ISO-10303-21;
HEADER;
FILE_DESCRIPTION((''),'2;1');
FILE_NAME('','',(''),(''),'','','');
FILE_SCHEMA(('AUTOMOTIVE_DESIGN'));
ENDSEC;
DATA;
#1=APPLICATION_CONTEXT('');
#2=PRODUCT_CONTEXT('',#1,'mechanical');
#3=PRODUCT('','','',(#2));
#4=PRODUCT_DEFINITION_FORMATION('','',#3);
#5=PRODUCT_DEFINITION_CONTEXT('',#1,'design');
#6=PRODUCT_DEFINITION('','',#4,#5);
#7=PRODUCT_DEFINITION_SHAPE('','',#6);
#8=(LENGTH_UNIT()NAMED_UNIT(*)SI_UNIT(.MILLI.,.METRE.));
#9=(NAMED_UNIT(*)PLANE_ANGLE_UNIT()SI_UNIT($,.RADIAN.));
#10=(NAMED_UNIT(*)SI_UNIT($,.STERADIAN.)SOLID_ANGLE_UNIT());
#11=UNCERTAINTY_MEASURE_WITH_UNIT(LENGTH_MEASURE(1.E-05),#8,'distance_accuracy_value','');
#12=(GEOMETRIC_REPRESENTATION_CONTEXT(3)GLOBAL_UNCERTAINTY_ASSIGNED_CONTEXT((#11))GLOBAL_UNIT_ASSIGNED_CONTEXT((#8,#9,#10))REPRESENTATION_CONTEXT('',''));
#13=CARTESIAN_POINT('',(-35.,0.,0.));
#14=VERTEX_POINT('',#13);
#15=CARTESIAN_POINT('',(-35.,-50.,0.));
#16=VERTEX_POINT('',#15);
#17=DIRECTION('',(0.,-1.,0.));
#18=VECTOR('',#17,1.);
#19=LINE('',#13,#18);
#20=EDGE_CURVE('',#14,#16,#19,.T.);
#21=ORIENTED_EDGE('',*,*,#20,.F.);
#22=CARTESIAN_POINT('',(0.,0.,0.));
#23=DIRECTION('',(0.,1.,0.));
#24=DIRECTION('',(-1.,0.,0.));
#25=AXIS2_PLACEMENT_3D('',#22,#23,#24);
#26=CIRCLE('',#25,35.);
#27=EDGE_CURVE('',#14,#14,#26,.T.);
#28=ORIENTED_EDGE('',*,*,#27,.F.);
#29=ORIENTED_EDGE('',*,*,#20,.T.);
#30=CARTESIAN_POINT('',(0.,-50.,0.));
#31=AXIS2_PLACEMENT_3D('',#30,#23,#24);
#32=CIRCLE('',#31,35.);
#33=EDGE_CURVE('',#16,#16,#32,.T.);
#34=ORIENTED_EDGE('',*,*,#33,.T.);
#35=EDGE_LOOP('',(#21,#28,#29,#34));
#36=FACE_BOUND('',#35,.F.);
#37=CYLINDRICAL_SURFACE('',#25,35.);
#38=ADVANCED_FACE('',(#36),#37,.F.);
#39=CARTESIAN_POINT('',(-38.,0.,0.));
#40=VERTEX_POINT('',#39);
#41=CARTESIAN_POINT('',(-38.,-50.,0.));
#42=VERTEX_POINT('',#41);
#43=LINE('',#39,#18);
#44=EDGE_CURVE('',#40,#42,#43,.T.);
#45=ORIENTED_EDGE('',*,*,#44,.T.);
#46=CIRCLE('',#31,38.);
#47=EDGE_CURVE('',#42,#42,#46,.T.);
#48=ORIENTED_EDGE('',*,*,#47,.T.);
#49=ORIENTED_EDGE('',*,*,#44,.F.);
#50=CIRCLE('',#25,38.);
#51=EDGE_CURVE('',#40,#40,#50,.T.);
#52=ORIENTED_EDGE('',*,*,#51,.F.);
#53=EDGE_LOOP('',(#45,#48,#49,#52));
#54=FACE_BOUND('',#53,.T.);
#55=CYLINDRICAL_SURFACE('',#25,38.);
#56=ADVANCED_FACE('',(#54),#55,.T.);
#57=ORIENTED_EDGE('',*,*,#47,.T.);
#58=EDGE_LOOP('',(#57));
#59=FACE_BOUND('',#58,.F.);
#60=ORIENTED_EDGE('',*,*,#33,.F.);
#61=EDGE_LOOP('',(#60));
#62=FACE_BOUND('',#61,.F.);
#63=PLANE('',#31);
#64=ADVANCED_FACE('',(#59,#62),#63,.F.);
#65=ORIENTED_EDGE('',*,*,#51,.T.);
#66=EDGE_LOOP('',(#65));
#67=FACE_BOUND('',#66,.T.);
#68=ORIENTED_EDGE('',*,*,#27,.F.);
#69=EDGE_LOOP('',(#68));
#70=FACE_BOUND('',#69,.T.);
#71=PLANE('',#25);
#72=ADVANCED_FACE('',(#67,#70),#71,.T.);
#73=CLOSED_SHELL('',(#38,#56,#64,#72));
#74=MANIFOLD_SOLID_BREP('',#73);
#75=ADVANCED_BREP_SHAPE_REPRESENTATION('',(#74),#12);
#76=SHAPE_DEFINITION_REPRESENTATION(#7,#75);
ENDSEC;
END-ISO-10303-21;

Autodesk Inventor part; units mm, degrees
ref_plane "YZ Plane" through (0, 0, 0) normal (1, 0, 0) x (0, 1, 0)
ref_plane "XZ Plane" through (0, 0, 0) normal (0, 1, 0) x (-1, 0, 0)
ref_plane "XY Plane" through (0, 0, 0) normal (0, 0, 1) x (1, 0, 0)
sketch "Sketch1" plane through (0, 0, 0) normal (0, 1, 0) x (-1, 0, 0)
  circle A0 centre (0, 0) radius 38
  circle A1 centre (0, 0) radius 35
  dimension "d0" = 76
  dimension "d1" = 3
extrude "Extrusion1" add sketch "Sketch1" against normal blind 50
properties part number "TZS 0942 FDS  tube 1" material "Steel"
